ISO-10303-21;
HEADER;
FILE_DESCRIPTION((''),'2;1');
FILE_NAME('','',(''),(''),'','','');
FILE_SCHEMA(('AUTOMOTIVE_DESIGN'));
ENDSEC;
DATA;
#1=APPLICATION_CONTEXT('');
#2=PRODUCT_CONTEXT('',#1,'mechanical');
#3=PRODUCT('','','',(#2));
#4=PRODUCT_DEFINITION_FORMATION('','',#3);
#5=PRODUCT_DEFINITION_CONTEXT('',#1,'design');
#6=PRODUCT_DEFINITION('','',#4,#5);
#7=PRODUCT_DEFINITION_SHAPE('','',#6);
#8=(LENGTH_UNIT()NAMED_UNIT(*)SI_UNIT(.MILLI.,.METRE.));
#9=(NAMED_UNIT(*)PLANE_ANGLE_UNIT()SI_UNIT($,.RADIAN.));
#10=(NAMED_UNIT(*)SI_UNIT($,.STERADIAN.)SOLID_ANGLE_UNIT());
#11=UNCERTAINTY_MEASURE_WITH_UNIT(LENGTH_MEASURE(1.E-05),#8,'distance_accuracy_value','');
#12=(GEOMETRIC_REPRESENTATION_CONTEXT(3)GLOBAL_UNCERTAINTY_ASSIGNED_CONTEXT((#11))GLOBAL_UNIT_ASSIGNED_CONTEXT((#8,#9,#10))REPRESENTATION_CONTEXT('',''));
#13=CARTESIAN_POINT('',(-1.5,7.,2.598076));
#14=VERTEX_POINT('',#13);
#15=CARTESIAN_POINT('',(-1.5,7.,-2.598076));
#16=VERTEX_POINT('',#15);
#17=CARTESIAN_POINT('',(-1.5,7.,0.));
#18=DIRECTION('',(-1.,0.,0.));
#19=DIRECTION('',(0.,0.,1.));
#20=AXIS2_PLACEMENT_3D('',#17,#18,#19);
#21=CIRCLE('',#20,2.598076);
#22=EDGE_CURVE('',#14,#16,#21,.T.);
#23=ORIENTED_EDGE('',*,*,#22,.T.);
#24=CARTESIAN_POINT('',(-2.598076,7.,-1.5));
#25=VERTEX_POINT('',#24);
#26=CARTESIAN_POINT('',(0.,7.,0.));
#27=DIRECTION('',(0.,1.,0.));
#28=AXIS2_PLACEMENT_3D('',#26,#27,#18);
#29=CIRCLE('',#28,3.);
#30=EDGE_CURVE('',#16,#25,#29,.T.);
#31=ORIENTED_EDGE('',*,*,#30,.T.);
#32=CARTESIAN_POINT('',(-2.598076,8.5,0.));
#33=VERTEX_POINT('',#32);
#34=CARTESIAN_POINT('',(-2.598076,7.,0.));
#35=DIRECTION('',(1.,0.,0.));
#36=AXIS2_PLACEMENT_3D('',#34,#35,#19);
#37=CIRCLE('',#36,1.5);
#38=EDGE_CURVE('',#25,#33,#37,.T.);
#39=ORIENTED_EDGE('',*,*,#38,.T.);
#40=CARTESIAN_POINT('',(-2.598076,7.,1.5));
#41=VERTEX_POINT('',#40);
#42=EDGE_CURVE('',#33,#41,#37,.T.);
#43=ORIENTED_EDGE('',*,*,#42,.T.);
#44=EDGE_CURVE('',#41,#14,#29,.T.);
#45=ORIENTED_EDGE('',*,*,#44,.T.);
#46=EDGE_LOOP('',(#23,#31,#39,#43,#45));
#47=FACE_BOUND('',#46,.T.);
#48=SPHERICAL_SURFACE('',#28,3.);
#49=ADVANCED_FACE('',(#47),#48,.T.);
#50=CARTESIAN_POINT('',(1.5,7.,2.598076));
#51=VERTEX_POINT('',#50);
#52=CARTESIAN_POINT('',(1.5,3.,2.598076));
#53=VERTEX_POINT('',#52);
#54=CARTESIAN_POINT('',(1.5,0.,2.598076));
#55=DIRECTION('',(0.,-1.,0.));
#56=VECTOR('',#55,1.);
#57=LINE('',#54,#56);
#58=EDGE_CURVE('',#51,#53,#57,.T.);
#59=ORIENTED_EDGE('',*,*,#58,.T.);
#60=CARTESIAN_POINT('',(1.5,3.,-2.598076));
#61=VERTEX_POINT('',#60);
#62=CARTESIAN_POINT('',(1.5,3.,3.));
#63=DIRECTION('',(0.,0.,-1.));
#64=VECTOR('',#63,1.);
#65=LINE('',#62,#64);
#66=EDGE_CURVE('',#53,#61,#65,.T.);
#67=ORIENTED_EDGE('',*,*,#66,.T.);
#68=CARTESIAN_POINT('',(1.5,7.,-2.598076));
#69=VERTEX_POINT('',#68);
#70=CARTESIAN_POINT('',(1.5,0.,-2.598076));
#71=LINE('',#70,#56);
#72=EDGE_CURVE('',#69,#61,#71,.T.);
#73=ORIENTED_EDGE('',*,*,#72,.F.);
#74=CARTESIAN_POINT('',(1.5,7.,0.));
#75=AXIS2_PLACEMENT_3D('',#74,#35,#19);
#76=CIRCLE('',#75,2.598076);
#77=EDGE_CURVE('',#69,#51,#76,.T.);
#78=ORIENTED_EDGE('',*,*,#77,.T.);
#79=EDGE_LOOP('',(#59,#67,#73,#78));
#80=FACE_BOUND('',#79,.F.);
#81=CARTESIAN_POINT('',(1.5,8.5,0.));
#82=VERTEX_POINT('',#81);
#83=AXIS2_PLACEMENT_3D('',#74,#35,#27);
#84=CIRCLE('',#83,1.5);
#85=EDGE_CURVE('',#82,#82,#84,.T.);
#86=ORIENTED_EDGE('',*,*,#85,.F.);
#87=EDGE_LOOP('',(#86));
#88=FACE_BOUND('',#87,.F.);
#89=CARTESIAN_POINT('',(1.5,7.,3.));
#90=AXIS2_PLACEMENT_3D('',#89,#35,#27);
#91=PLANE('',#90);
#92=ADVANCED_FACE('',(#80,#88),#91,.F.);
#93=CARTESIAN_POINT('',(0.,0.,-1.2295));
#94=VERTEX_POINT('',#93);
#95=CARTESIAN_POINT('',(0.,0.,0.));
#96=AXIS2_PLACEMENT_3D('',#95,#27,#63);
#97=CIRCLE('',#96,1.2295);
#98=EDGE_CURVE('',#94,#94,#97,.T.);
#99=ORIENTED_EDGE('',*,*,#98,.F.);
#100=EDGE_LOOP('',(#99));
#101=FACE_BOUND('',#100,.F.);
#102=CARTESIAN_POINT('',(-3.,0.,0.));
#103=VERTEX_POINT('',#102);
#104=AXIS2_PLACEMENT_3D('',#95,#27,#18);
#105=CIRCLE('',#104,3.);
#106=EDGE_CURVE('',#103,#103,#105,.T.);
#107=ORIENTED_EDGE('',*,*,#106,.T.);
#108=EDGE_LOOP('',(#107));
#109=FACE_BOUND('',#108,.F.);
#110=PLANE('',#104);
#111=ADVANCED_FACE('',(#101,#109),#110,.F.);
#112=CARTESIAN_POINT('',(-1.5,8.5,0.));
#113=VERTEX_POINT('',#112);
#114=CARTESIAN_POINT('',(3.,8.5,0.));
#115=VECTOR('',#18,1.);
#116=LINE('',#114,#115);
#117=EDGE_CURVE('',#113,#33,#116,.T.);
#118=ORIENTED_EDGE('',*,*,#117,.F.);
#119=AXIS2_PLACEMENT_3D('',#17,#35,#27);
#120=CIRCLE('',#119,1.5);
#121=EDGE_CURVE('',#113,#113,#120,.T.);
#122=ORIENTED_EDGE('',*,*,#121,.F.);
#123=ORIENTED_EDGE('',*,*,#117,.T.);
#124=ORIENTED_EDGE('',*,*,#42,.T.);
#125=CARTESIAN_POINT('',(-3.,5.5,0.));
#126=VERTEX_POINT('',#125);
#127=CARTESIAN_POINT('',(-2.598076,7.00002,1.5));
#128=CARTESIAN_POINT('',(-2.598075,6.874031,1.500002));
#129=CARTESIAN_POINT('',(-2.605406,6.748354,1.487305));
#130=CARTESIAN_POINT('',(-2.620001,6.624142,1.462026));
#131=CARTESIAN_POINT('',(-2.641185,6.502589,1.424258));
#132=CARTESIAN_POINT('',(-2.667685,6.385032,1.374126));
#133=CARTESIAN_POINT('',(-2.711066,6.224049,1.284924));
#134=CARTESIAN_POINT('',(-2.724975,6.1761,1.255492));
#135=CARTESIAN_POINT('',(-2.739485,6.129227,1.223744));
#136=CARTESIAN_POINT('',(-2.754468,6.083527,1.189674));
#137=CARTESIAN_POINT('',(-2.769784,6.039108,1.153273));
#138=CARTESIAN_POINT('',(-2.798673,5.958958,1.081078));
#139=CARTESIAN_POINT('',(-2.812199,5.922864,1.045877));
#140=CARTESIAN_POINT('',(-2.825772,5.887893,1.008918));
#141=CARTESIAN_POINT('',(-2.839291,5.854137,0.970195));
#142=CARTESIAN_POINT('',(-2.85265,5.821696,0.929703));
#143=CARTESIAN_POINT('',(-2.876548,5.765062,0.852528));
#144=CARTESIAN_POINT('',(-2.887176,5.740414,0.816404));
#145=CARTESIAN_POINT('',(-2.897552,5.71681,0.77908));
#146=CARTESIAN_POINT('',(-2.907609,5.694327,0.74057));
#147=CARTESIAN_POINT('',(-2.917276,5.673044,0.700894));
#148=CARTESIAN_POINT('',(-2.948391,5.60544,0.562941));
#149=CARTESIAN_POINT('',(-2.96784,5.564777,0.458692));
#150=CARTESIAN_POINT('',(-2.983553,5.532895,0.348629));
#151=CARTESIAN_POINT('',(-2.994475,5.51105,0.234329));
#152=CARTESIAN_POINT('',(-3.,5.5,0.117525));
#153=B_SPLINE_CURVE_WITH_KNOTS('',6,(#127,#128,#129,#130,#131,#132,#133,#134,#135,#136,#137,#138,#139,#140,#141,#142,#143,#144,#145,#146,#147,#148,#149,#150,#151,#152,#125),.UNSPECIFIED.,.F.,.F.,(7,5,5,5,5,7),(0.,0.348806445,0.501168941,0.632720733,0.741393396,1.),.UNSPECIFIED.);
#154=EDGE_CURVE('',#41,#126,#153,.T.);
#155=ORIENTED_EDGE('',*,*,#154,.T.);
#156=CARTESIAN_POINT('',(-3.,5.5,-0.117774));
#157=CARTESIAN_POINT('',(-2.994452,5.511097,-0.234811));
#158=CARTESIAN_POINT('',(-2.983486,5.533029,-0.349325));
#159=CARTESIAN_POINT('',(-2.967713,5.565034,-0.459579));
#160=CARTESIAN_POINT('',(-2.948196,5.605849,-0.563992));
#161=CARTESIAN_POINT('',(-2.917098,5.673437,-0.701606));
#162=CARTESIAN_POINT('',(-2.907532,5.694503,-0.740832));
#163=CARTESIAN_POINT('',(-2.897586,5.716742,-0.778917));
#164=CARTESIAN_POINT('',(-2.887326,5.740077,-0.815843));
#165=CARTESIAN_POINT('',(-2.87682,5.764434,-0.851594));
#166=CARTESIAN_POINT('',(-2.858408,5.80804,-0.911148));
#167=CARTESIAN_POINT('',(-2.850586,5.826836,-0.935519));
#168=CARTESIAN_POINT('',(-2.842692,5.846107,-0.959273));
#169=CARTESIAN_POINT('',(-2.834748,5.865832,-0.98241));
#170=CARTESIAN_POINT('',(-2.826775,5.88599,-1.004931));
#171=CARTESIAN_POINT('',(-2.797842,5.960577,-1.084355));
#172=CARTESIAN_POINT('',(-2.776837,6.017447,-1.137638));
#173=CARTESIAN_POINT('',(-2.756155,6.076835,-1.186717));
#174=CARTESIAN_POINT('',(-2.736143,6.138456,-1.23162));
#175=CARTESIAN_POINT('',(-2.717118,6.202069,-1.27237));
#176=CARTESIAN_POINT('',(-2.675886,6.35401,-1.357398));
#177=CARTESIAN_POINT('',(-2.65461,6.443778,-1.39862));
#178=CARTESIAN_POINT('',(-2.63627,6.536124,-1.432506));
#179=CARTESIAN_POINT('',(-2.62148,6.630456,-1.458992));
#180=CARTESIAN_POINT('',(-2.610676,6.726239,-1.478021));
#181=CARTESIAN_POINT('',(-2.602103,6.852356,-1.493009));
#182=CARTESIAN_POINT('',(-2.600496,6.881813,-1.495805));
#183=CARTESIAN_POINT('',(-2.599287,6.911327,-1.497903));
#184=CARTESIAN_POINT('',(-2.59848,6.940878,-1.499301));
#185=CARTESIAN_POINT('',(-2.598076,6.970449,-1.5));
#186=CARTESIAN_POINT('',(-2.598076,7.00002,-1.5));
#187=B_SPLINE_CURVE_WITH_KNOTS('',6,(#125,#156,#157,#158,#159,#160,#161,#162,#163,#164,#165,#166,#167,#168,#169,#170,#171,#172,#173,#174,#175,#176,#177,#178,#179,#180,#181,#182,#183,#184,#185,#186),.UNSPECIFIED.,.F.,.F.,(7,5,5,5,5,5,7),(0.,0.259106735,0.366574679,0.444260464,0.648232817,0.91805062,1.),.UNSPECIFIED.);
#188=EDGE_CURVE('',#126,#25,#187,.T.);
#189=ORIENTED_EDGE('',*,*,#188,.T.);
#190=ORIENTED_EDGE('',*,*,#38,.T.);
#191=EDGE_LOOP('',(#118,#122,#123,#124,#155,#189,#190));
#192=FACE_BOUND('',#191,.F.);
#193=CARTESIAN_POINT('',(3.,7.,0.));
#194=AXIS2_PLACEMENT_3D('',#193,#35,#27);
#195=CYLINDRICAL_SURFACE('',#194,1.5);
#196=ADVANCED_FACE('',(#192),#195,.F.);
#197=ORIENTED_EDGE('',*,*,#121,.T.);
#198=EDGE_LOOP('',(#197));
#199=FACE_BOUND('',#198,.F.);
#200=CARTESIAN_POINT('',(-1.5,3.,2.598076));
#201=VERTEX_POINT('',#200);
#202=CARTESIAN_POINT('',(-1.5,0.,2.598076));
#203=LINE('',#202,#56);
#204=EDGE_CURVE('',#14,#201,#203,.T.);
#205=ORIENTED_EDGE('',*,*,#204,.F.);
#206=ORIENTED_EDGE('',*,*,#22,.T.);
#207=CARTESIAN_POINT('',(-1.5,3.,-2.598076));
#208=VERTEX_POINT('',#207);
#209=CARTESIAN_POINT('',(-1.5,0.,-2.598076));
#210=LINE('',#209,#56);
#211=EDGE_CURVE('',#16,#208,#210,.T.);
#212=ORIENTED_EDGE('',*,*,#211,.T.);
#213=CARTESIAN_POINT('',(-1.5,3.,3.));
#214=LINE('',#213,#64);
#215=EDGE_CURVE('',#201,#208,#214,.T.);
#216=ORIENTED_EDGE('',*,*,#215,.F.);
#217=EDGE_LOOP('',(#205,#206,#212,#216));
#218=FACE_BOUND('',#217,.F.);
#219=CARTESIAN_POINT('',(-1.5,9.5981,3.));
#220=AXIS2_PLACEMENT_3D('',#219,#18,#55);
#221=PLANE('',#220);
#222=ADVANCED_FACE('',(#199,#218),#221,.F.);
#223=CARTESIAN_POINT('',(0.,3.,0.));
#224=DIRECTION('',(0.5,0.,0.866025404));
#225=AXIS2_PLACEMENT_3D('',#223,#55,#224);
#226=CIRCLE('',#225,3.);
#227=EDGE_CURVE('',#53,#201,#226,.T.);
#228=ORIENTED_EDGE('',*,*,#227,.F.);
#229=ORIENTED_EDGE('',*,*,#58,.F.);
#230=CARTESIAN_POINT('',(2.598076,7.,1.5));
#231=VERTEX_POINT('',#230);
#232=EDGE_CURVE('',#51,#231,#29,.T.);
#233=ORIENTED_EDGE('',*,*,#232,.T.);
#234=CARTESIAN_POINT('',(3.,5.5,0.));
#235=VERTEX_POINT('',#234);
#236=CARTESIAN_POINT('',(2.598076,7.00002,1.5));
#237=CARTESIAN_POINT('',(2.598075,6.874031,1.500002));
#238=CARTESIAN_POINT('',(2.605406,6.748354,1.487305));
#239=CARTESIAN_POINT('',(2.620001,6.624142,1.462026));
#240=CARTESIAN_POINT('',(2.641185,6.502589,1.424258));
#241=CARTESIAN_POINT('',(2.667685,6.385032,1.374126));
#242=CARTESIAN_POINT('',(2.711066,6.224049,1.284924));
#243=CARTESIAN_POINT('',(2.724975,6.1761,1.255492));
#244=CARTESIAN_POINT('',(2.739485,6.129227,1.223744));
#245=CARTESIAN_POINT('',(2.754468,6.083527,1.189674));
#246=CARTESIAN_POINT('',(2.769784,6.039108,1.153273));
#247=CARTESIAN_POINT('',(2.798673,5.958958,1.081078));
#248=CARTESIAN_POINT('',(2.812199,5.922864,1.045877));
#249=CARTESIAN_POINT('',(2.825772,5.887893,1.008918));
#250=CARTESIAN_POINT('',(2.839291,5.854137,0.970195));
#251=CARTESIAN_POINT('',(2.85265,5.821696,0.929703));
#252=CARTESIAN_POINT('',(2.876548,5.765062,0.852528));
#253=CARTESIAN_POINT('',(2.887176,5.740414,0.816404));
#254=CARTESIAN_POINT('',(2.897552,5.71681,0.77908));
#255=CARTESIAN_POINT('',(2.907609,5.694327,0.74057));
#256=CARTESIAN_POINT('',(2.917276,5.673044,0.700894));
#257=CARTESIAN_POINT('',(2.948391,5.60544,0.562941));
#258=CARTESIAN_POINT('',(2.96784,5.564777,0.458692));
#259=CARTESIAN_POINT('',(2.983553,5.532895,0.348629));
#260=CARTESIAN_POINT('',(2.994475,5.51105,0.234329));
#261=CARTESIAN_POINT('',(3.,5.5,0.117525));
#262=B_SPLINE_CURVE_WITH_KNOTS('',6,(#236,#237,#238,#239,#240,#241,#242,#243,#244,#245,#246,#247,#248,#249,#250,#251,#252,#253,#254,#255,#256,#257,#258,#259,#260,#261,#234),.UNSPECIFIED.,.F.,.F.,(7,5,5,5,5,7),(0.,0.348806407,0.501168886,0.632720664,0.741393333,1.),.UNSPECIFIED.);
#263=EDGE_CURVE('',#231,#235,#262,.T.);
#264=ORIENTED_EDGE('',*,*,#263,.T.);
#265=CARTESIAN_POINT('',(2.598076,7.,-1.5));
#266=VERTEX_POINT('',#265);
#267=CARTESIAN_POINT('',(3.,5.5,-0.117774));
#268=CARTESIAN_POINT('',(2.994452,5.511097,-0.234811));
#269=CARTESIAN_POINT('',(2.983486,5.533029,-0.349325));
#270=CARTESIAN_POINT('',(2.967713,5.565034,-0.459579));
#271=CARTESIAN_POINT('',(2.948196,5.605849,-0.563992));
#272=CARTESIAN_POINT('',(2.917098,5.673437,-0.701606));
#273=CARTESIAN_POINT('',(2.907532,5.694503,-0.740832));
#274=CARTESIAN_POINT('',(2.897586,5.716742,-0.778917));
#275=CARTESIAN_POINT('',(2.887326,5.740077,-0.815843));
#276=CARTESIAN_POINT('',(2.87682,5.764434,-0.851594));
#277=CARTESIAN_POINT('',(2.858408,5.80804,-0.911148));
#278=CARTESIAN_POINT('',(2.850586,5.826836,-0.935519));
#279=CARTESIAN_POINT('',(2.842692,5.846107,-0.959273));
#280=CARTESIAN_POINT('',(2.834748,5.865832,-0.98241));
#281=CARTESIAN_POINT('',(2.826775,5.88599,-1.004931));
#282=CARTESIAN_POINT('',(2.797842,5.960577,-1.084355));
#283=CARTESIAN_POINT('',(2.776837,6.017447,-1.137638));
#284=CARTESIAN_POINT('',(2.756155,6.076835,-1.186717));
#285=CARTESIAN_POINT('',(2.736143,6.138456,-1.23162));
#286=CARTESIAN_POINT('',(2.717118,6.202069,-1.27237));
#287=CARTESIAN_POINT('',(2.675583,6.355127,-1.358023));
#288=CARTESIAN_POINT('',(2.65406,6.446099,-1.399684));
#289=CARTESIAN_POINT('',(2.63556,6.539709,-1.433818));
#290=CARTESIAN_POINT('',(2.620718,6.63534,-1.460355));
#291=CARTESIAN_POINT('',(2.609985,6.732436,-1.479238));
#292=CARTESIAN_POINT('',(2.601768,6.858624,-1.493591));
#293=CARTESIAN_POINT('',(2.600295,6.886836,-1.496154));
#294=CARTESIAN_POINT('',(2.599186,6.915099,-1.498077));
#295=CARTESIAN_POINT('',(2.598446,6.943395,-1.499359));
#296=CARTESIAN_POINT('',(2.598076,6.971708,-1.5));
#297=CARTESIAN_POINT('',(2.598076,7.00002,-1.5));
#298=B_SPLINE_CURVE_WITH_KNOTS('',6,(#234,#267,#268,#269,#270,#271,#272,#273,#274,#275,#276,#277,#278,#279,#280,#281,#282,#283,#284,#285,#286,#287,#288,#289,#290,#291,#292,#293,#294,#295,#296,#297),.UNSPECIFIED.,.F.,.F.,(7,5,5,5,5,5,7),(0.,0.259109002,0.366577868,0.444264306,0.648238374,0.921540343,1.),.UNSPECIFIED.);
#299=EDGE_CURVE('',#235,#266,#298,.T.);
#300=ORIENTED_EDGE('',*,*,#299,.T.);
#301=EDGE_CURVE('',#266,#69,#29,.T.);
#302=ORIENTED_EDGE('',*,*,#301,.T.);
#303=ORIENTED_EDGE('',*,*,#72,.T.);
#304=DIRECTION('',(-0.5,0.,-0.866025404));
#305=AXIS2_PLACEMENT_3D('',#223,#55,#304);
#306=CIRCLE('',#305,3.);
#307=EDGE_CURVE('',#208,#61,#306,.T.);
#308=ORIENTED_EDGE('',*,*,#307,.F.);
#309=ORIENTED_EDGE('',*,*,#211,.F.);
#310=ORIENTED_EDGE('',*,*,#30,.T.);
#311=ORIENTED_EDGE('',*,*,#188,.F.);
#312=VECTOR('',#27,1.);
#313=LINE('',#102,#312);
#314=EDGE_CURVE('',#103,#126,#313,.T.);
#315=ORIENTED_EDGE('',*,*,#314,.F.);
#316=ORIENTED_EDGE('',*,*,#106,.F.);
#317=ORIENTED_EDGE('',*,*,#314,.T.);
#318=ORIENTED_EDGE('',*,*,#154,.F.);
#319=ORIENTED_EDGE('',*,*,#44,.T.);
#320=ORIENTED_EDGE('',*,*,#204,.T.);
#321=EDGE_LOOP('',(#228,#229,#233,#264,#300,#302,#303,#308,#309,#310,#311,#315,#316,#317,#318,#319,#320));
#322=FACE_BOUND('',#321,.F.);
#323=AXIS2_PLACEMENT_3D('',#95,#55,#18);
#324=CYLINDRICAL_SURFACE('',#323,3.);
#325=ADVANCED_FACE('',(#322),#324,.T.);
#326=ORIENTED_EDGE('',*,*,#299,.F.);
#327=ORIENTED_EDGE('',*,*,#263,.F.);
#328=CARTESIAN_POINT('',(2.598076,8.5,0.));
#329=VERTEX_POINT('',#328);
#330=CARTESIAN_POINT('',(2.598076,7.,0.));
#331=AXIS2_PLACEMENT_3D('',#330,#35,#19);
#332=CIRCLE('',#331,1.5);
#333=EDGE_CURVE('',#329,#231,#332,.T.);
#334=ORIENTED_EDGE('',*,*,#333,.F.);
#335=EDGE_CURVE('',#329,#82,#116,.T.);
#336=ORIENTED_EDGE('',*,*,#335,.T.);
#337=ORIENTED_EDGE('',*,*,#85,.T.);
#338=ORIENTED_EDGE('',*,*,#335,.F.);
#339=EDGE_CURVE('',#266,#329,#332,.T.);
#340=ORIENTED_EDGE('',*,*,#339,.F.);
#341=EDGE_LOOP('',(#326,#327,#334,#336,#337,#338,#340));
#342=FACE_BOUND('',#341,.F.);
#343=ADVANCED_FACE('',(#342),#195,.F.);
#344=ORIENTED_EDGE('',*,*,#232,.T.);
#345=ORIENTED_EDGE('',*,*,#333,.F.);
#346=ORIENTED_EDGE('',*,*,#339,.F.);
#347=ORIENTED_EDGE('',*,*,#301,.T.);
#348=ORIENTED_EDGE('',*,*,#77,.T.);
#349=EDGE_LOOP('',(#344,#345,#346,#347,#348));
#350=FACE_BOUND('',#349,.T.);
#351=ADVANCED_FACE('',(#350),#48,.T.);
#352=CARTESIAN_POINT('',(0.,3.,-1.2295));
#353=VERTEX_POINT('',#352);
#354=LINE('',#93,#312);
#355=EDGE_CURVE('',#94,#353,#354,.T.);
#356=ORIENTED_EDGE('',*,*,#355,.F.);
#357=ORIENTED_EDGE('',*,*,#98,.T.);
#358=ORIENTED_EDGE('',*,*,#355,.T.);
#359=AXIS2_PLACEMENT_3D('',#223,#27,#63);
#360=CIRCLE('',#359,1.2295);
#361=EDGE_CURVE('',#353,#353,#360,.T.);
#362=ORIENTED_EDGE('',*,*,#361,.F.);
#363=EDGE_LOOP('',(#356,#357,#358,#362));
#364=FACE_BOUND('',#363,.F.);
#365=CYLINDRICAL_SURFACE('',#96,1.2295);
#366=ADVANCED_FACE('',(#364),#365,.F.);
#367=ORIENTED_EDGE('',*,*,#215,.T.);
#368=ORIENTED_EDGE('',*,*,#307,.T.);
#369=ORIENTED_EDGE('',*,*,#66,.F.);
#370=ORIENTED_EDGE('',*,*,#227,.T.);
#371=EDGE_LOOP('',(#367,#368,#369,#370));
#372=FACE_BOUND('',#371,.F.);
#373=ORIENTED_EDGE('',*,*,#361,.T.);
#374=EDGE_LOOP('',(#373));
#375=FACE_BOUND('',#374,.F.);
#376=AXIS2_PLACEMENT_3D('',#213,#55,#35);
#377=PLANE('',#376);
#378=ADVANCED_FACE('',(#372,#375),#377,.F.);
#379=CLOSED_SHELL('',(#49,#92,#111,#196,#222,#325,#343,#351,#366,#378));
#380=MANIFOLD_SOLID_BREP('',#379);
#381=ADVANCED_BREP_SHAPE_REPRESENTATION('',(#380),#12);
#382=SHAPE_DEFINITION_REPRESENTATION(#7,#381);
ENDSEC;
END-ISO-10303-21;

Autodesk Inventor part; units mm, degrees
ref_plane "XZ Plane" through (0, 0, 0) normal (0, 1, 0) x (-1, 0, 0)
sketch "Sketch1" plane through (0, 0, 0) normal (0, 1, 0) x (-1, 0, 0)
  circle A0 centre (0, 0) radius 3
  dimension "d0" = 6
extrude "Extrusion1" add sketch "Sketch1" along normal blind 10
fillet "Fillet1" radius 3 1 edges at (3, 10, 0)
ref_plane "Work Plane2" through (0, 0, 3) normal (0, 0, 1) x (1, 0, 0)
ref_plane "Work Plane3" through (3, 0, 0) normal (1, 0, 0) x (0, 1, 0)
sketch "Sketch6" plane through (3, 0, 0) normal (1, 0, 0) x (0, 1, 0)
  circle A0 centre (7, 0) radius 1.5
  arc A1 (7, -3) -> (7, 3) centre (7, 0) ccw projected
  point P0 (0, 0)
  dimension "d21" = 3
extrude "Extrusion4" cut sketch "Sketch6" against normal blind 6
sketch "Sketch5" plane through (0, 0, 3) normal (0, 0, 1) x (1, 0, 0)
  line L0 (3, 0) -> (-3, 0) projected
  line L1 (-1.5, 9.5981) -> (-1.5, 3)
  line L2 (-1.5, 3) -> (1.5, 3)
  line L3 (1.5, 3) -> (1.5, 9.5981)
  arc A0 (2.5981, 8.5) -> (-2.5981, 8.5) centre (0, 7) ccw projected
  line L4 (0, 3) -> (0, 10) construction
  line L5 (2.5981, 7) -> (-2.5981, 7) projected
  arc A1 (1.4921, 9.6026) -> (-1.5, 9.5981) centre (0, 7) ccw
  point P0 (0, 0)
  point P1 (3, 10)
  point P2 (-3, 10)
  point P3 (0, 9.7895)
  point P4 (0, 10)
  point P5 (0, 0)
  dimension "d16" = 3
  dimension "d25" = 7
  dimension "d26" = 1.5
extrude "Extrusion3" cut sketch "Sketch5" against normal blind 6
sketch "Sketch7" plane through (0, 0, 0) normal (0, -1, 0) x (1, 0, 0)
  circle A0 centre (0, 0) radius 3 projected
hole "Hole2" at (0, 0, 0) direction (0, 1, 0) diameter 2.459 depth 3 thread size "M3x0.5" class "6H" standard "ISO Metric profile"
properties part number "19.1"
